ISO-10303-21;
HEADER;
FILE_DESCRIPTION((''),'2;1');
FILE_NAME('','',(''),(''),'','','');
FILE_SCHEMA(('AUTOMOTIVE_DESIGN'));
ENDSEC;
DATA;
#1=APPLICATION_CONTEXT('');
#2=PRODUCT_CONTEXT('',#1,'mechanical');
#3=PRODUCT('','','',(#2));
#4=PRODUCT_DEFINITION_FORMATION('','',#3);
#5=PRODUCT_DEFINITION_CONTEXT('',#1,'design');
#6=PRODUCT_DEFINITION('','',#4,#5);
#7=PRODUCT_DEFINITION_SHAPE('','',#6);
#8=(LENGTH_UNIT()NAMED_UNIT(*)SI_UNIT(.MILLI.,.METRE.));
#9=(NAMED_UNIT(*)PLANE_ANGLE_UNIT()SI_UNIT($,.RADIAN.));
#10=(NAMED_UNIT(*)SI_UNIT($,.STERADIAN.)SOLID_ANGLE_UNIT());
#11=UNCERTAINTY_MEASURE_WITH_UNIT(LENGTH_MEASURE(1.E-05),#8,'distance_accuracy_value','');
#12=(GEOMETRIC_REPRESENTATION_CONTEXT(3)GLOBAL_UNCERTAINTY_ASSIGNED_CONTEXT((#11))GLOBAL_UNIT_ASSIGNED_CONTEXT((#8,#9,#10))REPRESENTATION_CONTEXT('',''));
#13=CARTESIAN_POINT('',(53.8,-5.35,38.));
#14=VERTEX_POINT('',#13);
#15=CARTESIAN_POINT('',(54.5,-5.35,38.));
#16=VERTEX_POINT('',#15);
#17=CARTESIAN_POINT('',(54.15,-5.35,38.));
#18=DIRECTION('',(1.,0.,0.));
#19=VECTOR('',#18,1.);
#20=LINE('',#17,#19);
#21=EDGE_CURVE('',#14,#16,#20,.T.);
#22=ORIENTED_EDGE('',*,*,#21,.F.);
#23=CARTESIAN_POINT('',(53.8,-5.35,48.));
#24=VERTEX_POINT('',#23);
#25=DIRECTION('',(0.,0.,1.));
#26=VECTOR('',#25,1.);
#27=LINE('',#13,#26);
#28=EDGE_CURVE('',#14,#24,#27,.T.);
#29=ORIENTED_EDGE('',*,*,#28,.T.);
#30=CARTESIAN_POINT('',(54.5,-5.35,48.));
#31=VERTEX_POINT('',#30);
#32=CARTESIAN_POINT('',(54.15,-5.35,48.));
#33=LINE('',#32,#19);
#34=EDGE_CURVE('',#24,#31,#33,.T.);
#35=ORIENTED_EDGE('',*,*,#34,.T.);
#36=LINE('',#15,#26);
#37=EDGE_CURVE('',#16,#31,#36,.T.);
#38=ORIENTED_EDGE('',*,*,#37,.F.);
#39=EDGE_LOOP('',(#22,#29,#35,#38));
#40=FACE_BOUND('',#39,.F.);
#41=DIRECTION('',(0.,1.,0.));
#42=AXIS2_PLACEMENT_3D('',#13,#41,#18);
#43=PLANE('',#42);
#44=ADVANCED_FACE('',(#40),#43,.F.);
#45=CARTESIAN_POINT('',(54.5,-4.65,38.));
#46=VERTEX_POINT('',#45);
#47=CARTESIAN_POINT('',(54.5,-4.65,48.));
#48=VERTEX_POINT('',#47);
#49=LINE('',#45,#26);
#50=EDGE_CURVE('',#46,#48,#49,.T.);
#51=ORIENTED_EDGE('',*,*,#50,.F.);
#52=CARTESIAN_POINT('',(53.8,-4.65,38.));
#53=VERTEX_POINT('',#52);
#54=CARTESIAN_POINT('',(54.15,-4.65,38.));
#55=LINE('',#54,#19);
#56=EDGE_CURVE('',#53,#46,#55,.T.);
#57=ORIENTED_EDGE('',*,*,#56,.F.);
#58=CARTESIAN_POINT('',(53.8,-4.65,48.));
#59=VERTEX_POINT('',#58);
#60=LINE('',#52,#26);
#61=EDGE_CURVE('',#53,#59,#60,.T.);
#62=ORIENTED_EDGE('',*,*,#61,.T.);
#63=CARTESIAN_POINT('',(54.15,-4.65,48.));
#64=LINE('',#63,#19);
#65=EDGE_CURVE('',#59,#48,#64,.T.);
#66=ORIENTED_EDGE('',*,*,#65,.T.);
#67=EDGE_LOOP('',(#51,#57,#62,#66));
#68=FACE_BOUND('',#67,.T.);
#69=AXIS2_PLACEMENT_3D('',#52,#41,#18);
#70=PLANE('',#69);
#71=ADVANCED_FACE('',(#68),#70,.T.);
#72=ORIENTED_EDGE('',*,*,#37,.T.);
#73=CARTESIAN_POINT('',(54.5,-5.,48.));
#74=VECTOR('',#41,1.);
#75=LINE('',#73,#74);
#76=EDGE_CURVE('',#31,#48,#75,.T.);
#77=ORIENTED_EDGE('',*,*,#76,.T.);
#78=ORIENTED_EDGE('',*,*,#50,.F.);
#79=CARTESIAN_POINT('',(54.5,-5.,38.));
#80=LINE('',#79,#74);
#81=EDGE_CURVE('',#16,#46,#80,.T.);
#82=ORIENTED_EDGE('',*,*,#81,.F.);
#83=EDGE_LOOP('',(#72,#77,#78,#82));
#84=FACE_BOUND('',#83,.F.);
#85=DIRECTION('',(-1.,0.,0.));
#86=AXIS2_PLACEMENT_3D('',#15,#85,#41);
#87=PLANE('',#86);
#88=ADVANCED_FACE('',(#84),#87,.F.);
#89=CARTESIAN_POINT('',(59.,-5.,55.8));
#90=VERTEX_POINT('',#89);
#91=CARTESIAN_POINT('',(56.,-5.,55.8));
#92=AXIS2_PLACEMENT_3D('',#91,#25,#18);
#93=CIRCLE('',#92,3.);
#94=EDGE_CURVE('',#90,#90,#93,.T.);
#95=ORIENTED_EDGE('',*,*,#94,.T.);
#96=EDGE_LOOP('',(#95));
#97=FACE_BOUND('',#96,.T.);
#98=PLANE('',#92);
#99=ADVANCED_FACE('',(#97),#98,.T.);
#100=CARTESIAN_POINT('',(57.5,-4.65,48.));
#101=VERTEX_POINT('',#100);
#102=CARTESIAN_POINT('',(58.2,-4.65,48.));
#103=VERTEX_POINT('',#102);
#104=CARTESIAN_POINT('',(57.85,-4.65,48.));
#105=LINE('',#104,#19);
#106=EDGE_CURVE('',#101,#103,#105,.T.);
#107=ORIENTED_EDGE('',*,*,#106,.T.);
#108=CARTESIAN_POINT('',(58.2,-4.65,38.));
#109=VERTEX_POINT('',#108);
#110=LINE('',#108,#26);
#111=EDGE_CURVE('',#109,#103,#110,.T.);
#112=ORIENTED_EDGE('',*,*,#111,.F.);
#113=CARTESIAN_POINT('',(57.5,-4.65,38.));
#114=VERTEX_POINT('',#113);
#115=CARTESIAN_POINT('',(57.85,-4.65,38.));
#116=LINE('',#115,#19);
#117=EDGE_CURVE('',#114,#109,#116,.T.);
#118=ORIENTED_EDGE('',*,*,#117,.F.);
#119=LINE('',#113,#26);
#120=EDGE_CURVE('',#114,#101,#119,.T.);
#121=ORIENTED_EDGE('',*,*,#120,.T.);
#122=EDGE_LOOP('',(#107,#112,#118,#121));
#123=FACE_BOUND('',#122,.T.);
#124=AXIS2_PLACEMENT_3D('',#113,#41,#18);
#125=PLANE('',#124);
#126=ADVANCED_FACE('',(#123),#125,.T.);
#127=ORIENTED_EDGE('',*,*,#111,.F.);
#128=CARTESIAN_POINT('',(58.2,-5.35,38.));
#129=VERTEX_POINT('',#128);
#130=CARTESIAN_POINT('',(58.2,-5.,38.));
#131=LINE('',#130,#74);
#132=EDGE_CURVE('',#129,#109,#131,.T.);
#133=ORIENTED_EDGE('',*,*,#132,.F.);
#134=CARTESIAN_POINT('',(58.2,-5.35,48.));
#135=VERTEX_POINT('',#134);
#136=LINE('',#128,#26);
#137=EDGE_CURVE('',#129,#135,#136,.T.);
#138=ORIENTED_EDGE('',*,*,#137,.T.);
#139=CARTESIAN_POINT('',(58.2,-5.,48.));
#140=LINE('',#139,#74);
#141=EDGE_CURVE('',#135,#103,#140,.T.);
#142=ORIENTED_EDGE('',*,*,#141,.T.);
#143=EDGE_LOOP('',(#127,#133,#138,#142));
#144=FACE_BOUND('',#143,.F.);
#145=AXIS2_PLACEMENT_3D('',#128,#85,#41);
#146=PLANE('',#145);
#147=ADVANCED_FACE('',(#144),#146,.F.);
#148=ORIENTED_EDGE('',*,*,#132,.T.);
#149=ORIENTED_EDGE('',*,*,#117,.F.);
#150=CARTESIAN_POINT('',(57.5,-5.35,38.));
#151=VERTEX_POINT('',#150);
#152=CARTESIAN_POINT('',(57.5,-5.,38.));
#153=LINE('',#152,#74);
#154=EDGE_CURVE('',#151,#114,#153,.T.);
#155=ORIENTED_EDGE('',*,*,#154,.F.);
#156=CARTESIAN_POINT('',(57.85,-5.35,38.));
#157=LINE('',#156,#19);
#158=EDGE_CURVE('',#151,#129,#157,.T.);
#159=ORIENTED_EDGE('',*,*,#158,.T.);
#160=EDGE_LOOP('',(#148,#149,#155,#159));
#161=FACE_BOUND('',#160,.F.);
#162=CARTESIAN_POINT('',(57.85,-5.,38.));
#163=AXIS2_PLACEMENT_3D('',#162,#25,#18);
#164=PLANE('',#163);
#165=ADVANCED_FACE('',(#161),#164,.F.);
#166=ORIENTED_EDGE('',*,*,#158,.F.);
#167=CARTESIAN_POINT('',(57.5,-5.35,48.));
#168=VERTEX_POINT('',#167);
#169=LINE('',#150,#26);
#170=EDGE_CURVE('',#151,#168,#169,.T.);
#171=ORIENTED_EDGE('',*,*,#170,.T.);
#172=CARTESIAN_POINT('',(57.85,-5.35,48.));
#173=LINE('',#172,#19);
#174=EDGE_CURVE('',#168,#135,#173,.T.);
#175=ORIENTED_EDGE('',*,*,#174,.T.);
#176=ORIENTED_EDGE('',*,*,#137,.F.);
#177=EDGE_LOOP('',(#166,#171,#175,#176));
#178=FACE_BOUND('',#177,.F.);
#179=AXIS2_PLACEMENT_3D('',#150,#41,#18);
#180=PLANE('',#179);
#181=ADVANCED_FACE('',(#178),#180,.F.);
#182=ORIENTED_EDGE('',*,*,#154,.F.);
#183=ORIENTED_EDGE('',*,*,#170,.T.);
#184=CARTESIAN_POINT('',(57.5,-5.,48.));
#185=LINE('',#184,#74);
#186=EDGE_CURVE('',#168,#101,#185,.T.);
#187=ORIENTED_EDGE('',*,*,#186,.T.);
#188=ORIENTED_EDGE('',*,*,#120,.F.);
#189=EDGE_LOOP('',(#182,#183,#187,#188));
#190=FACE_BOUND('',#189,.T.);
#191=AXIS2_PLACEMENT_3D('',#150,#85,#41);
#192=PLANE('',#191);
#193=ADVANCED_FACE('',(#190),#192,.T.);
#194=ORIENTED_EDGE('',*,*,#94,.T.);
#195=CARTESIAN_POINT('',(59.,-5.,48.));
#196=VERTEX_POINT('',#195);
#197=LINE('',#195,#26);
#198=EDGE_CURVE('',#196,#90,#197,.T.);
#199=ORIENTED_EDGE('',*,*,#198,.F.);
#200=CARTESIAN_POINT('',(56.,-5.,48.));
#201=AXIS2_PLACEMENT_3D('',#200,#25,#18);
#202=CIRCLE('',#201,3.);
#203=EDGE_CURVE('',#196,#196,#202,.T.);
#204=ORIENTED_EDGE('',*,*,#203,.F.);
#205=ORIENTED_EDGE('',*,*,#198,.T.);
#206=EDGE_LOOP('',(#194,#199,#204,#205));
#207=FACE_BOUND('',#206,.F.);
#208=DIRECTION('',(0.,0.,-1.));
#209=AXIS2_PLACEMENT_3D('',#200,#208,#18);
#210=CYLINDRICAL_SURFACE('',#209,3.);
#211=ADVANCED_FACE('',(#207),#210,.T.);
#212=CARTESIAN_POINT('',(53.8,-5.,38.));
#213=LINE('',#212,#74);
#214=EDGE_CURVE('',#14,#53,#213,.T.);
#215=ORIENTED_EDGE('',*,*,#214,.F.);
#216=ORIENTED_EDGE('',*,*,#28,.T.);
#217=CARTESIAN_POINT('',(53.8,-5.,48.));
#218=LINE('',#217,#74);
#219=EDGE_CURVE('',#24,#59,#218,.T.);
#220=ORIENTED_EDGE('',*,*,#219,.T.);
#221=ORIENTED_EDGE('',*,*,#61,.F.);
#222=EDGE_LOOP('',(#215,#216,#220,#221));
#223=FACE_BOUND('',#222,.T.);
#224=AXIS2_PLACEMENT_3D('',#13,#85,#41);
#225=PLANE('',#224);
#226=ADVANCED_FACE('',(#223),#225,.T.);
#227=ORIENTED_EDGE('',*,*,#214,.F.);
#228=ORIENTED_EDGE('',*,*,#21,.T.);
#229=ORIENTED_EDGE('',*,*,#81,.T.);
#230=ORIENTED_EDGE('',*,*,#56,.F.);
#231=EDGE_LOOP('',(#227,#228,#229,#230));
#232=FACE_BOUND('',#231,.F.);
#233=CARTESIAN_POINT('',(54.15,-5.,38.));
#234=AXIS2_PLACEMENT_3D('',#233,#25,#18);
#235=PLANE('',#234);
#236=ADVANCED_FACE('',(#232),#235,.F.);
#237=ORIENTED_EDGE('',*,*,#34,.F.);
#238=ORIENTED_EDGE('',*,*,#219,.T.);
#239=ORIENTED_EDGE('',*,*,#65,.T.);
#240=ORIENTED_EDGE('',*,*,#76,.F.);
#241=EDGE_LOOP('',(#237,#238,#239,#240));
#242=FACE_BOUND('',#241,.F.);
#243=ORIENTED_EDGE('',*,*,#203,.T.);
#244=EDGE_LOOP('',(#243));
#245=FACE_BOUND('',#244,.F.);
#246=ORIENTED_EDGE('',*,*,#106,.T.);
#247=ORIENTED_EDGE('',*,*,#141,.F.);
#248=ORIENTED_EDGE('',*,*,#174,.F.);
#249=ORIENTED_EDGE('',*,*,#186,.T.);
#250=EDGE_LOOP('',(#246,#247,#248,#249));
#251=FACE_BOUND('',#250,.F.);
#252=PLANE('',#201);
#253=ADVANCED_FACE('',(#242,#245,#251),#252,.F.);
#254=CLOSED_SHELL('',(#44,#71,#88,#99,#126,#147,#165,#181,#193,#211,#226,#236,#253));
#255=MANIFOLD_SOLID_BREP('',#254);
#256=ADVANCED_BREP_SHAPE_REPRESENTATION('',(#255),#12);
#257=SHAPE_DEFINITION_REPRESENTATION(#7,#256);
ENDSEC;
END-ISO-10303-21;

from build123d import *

# Parameters (mm, degrees)
SKETCH021_W           = 0.7
SKETCH021_H           = 0.7
PAD010002001013_DEPTH = 10
SKETCH020_R           = 3
PAD010002001012_DEPTH = 7.8


with BuildPart() as pad010002001013:
    # Sketch021 → Pad010002001013 (new body)
    with BuildSketch(Plane.XY):
        with Locations((-1.85, 0)):
            Rectangle(SKETCH021_W, SKETCH021_H)
        with Locations((1.85, 0)):
            Rectangle(SKETCH021_W, SKETCH021_H)
    extrude(amount=PAD010002001013_DEPTH)


with BuildPart() as countled:
    # Sketch020 → Pad010002001012 (new body)
    with BuildSketch(Plane.XY.offset(10)):
        Circle(SKETCH020_R)
    extrude(amount=PAD010002001012_DEPTH)

    # Fusion008: union Pad010002001013
    add(pad010002001013.part)


with BuildPart() as countled_1:
    # Fusion008 placement: moved
    add(countled.part.moved(Location((56, -5, 38))))


solid = countled_1.part
